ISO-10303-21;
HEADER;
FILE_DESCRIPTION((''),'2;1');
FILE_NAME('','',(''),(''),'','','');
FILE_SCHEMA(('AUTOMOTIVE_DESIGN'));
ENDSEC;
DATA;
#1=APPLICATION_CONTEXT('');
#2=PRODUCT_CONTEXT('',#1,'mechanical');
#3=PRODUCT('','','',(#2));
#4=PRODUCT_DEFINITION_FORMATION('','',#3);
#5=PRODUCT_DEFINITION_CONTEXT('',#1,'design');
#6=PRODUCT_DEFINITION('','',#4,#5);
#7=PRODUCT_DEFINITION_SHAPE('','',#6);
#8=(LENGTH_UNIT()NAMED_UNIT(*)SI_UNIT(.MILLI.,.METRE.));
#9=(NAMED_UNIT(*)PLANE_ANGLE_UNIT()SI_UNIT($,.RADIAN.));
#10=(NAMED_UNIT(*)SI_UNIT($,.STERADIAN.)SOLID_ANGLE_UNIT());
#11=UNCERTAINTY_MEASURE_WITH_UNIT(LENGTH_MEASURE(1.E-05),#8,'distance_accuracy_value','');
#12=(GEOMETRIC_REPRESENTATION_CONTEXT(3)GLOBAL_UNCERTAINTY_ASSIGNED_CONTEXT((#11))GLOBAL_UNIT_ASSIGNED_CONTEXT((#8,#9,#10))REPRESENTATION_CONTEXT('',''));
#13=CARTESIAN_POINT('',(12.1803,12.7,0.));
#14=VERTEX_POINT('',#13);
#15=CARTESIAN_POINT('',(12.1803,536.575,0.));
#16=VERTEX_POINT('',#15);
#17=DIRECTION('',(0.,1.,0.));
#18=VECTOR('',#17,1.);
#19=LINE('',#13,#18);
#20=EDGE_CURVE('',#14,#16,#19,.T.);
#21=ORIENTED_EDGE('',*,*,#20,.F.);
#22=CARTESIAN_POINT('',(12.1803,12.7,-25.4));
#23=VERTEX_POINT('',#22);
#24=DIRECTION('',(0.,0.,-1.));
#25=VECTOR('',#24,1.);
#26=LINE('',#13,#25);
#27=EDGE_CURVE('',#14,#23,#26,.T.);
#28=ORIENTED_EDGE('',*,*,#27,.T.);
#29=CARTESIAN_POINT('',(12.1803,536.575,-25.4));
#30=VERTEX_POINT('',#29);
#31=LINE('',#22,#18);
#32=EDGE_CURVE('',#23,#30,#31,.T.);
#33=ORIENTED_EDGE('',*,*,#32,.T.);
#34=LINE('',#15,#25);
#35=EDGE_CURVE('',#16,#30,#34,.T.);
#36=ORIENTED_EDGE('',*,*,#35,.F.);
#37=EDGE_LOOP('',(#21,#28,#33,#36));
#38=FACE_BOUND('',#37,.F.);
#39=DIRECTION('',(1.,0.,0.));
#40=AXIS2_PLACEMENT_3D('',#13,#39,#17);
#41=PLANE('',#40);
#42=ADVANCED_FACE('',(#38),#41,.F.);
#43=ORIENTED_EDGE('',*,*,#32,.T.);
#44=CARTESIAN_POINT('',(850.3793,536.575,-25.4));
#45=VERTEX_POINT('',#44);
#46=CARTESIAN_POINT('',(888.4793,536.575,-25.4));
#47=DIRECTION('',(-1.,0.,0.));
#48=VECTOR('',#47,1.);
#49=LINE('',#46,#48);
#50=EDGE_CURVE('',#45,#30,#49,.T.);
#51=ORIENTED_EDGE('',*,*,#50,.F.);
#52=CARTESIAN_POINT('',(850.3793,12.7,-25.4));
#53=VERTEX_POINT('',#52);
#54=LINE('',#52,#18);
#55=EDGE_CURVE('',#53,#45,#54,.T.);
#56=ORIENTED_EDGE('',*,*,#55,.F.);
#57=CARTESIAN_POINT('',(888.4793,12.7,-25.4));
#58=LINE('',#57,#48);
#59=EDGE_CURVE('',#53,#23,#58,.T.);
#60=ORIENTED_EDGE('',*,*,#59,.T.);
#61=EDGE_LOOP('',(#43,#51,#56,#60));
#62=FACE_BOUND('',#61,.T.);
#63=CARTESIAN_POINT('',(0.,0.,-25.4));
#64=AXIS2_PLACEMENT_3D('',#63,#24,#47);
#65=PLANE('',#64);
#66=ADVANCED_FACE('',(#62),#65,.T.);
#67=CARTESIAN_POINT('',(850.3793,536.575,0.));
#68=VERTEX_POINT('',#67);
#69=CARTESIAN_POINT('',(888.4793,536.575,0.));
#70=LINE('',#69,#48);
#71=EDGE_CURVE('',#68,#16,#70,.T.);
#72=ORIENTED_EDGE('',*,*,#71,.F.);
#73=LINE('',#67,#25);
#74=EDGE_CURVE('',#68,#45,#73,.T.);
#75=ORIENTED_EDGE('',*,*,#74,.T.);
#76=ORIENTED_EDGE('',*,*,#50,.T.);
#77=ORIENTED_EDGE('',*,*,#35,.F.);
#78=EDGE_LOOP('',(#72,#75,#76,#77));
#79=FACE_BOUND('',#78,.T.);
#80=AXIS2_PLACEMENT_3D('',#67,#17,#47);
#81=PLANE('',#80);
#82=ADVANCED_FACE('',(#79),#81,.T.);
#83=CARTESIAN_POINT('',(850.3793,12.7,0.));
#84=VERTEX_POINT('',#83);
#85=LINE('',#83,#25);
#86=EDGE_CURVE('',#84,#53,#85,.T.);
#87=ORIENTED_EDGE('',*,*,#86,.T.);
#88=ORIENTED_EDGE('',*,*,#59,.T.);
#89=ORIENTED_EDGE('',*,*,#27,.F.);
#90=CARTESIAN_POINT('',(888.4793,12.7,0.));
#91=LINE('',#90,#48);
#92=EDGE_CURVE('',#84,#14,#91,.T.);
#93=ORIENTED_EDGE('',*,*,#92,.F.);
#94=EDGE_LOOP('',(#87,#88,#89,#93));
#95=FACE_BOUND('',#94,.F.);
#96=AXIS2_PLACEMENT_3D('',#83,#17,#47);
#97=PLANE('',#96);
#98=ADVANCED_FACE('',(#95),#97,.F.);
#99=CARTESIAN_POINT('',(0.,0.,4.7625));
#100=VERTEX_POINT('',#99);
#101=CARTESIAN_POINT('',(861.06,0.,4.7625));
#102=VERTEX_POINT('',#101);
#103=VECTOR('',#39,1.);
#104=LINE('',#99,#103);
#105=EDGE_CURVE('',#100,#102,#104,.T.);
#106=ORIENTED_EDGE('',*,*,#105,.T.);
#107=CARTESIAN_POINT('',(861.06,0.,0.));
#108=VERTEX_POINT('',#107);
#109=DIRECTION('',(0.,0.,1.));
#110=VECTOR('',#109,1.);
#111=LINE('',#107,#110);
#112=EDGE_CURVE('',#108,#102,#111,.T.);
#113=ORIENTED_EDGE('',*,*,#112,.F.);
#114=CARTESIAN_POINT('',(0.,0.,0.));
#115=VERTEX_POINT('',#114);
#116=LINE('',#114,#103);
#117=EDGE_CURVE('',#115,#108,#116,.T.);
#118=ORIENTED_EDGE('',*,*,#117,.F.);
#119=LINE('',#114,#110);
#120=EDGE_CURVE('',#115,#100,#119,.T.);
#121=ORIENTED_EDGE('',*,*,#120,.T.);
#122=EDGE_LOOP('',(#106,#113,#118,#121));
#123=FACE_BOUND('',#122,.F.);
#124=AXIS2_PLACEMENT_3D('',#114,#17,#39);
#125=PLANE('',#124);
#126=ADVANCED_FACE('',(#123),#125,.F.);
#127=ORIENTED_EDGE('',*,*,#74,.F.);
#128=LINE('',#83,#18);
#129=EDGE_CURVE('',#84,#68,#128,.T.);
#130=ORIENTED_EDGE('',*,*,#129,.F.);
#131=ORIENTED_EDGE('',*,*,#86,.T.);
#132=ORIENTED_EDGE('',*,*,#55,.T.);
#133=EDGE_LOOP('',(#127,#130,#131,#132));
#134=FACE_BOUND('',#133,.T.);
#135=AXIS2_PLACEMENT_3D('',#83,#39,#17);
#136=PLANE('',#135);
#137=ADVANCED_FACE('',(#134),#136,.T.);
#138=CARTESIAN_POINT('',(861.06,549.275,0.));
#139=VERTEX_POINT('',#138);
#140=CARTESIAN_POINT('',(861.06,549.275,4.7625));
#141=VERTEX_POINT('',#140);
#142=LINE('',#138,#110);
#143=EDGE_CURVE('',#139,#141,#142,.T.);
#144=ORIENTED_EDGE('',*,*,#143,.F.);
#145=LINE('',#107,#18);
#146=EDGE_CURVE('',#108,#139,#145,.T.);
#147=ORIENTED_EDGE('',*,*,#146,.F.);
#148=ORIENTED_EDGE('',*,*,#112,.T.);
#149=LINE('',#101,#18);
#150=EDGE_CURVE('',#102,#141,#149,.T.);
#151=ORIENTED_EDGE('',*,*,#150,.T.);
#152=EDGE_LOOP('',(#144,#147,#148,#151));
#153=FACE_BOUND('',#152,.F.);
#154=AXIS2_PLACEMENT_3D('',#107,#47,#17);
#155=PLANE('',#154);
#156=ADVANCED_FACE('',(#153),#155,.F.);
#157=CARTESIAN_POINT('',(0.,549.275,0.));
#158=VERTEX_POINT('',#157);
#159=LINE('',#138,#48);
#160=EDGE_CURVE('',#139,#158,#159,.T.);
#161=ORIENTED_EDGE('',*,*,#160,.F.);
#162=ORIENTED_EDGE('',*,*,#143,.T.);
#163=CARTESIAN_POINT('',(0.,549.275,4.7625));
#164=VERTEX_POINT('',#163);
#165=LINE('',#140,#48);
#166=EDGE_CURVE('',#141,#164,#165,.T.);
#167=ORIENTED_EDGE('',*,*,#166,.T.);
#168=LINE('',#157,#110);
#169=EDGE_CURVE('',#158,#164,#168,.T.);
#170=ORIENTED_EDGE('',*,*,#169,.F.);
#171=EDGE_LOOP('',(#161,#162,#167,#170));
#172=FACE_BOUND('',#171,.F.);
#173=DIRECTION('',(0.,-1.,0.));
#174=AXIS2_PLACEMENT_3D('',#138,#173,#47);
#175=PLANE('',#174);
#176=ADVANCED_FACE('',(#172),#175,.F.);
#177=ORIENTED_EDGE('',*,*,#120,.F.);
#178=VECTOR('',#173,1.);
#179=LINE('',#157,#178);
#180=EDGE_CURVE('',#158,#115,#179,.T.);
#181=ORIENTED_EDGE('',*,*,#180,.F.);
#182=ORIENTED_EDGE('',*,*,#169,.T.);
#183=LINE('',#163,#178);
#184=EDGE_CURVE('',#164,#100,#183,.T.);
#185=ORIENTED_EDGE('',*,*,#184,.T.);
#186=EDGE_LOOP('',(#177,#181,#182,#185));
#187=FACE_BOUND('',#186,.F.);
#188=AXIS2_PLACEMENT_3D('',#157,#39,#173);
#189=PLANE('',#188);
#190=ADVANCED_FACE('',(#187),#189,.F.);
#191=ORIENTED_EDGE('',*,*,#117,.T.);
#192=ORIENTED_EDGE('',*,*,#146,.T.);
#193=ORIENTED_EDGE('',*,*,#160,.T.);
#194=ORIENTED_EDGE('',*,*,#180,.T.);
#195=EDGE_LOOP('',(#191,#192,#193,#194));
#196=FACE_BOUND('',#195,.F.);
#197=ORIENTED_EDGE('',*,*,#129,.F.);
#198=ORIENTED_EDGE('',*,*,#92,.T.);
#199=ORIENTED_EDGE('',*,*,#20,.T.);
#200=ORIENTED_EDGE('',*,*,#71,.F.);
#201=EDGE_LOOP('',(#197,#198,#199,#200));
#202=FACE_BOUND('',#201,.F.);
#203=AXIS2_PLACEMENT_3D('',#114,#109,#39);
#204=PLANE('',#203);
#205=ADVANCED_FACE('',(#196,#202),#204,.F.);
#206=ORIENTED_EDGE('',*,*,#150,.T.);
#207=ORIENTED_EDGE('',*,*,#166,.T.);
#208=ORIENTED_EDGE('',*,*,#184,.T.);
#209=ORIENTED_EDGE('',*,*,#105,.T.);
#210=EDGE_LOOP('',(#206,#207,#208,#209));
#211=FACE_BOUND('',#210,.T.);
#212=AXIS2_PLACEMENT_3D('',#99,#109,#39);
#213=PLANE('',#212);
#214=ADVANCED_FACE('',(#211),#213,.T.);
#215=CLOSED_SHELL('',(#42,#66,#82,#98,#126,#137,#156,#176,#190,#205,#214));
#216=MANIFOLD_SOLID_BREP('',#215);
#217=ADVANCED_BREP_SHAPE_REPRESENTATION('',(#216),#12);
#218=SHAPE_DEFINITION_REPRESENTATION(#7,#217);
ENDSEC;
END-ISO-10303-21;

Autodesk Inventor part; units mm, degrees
ref_plane "YZ Plane" through (0, 0, 0) normal (1, 0, 0) x (0, 1, 0)
ref_plane "XZ Plane" through (0, 0, 0) normal (0, 1, 0) x (-1, 0, 0)
ref_plane "XY Plane" through (0, 0, 0) normal (0, 0, 1) x (1, 0, 0)
sketch "Sketch1" plane through (0, 0, 0) normal (0, 0, 1) x (1, 0, 0)
  line L0 (0, 0) -> (861.06, 0)
  line L1 (861.06, 0) -> (861.06, 549.275)
  line L2 (861.06, 549.275) -> (0, 549.275)
  line L3 (0, 549.275) -> (0, 0)
  dimension "d2" = 861.06
  dimension "d3" = 549.275
extrude "Extrusion1" add sketch "Sketch1" along normal blind 4.7625
sketch "Sketch2" plane through (0, 0, 0) normal (0, 0, -1) x (-1, 0, 0)
  line L0 (-888.4793, 12.7) -> (25.9207, 12.7) projected
  line L1 (-12.1803, 12.7) -> (-12.1803, 536.575) projected
  line L2 (-850.3793, 12.7) -> (-850.3793, 536.575) projected
  line L3 (-888.4793, 536.575) -> (25.9207, 536.575) projected
  line L4 (-12.1803, 536.575) -> (-850.3793, 536.575)
  line L5 (-850.3793, 536.575) -> (-850.3793, 12.7)
  line L6 (-850.3793, 12.7) -> (-12.1803, 12.7)
  line L7 (-12.1803, 12.7) -> (-12.1803, 536.575)
  point P0 (0, 0)
extrude "Extrusion2" add sketch "Sketch2" along normal blind 25.4
properties part number "gatorboard_01875in"
